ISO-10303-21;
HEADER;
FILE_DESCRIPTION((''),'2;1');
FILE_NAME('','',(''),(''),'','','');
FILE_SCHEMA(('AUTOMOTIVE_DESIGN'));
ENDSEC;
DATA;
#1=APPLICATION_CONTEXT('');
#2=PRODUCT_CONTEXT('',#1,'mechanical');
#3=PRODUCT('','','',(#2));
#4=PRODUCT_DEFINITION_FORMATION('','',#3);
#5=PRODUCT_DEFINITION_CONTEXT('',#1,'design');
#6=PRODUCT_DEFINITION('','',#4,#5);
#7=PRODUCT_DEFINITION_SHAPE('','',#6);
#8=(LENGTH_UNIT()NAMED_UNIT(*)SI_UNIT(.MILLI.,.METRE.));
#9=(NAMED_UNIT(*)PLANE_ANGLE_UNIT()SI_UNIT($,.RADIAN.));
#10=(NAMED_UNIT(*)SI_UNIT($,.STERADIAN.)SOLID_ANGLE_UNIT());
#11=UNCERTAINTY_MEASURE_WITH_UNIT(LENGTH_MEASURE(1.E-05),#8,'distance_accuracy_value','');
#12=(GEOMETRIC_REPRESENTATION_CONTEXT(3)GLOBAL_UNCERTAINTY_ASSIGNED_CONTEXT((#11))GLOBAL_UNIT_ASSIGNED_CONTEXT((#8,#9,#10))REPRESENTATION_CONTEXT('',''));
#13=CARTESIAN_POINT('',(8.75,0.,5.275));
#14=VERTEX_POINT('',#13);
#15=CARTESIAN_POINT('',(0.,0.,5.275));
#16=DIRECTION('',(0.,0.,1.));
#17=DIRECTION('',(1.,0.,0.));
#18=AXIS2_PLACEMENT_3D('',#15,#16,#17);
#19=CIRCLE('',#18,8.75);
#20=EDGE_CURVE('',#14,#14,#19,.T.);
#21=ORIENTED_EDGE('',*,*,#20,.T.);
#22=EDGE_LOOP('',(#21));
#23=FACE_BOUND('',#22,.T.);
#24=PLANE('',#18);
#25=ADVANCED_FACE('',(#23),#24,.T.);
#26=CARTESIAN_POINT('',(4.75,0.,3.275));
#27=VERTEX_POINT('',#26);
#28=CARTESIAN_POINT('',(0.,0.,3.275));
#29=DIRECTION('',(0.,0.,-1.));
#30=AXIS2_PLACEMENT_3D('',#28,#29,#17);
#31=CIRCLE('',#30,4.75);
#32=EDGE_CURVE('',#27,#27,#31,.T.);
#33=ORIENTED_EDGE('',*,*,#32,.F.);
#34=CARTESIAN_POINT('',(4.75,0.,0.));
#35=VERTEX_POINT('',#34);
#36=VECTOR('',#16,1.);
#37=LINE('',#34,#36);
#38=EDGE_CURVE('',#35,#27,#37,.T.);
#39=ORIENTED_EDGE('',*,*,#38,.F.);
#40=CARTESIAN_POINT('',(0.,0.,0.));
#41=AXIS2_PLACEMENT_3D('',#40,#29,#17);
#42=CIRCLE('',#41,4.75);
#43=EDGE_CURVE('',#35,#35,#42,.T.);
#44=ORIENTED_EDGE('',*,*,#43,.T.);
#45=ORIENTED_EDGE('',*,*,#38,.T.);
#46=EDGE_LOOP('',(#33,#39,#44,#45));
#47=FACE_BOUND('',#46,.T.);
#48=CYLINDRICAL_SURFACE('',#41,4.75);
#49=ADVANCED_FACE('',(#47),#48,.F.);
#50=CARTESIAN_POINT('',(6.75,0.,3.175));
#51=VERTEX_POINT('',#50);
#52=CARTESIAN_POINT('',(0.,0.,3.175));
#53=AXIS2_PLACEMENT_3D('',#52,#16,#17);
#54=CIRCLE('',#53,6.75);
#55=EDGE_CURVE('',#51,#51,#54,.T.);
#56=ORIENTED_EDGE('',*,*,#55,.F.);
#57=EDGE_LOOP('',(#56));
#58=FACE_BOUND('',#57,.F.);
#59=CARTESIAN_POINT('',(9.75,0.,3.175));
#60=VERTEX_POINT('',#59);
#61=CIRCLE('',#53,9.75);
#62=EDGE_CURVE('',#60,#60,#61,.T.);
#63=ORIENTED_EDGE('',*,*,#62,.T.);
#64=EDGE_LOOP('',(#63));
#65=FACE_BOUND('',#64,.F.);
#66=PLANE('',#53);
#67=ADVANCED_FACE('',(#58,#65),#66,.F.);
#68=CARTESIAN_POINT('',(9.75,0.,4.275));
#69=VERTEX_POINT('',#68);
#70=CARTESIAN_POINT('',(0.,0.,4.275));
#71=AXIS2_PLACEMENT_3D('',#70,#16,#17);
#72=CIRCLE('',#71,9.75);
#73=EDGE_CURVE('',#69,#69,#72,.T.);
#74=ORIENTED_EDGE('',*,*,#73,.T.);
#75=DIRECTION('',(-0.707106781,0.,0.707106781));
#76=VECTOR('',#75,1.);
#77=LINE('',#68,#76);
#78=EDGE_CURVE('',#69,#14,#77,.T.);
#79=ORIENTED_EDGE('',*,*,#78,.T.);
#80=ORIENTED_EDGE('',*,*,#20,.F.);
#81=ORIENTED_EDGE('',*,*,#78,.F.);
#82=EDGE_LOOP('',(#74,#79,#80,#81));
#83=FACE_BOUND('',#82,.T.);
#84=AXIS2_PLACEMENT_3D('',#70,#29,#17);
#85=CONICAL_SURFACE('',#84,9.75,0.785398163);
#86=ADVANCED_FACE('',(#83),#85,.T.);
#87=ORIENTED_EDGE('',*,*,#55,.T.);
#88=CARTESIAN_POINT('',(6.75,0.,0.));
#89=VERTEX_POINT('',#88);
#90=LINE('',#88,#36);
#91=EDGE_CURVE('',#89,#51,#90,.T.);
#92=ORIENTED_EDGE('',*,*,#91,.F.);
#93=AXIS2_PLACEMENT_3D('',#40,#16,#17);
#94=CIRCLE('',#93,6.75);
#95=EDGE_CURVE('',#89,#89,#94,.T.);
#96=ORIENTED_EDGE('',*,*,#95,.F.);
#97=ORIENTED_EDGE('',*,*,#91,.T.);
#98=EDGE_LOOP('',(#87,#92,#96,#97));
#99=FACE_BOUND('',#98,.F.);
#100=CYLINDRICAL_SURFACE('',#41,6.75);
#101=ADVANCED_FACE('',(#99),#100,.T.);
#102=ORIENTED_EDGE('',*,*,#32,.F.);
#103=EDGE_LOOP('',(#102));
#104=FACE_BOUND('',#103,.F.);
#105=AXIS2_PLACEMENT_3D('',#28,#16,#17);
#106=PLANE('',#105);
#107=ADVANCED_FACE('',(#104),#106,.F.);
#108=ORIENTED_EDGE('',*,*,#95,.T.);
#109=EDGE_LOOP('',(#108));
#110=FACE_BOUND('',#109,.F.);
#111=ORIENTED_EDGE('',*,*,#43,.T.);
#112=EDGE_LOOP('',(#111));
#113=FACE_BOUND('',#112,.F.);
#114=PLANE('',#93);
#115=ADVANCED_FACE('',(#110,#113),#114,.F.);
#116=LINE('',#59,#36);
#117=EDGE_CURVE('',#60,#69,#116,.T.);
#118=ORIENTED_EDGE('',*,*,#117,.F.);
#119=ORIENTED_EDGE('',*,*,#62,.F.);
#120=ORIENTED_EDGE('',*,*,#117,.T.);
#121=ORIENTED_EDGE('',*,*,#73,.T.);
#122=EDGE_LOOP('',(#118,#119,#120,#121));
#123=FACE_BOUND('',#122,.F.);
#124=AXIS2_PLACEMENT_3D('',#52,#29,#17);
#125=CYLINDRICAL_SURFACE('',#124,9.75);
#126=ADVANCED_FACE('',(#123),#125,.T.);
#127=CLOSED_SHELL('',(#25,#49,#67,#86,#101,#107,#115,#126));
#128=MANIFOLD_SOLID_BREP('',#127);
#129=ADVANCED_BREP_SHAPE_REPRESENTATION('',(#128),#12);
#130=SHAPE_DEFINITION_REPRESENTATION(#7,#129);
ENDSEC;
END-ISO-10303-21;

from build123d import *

# Parameters (mm, degrees)
F0_R     = 6.75
F1_DEPTH = 3.175
F2_R     = 9.75
F3_DEPTH = 2.1
F4_SIZE  = 1
F5_T     = -2


with BuildPart() as f1:
    # F0 (on Top) → F1 (new body)
    with BuildSketch(Plane.XY):
        Circle(F0_R)
    extrude(amount=F1_DEPTH)

    # F2 (on face) → F3 (join)
    with BuildSketch(Plane.XY.offset(3.175)):
        Circle(F2_R)
    extrude(amount=F3_DEPTH)

    # F4
    f4_edges = [f1.edges().sort_by_distance(p)[0] for p in [
        (-9.75, 0, 5.275),
    ]]
    chamfer(f4_edges, length=F4_SIZE)

    # F5
    f5_openings = [f1.faces().sort_by_distance(p)[0] for p in [
        (0, 0, 0),
    ]]
    offset(amount=F5_T, openings=f5_openings, kind=Kind.INTERSECTION)


solid = f1.part
